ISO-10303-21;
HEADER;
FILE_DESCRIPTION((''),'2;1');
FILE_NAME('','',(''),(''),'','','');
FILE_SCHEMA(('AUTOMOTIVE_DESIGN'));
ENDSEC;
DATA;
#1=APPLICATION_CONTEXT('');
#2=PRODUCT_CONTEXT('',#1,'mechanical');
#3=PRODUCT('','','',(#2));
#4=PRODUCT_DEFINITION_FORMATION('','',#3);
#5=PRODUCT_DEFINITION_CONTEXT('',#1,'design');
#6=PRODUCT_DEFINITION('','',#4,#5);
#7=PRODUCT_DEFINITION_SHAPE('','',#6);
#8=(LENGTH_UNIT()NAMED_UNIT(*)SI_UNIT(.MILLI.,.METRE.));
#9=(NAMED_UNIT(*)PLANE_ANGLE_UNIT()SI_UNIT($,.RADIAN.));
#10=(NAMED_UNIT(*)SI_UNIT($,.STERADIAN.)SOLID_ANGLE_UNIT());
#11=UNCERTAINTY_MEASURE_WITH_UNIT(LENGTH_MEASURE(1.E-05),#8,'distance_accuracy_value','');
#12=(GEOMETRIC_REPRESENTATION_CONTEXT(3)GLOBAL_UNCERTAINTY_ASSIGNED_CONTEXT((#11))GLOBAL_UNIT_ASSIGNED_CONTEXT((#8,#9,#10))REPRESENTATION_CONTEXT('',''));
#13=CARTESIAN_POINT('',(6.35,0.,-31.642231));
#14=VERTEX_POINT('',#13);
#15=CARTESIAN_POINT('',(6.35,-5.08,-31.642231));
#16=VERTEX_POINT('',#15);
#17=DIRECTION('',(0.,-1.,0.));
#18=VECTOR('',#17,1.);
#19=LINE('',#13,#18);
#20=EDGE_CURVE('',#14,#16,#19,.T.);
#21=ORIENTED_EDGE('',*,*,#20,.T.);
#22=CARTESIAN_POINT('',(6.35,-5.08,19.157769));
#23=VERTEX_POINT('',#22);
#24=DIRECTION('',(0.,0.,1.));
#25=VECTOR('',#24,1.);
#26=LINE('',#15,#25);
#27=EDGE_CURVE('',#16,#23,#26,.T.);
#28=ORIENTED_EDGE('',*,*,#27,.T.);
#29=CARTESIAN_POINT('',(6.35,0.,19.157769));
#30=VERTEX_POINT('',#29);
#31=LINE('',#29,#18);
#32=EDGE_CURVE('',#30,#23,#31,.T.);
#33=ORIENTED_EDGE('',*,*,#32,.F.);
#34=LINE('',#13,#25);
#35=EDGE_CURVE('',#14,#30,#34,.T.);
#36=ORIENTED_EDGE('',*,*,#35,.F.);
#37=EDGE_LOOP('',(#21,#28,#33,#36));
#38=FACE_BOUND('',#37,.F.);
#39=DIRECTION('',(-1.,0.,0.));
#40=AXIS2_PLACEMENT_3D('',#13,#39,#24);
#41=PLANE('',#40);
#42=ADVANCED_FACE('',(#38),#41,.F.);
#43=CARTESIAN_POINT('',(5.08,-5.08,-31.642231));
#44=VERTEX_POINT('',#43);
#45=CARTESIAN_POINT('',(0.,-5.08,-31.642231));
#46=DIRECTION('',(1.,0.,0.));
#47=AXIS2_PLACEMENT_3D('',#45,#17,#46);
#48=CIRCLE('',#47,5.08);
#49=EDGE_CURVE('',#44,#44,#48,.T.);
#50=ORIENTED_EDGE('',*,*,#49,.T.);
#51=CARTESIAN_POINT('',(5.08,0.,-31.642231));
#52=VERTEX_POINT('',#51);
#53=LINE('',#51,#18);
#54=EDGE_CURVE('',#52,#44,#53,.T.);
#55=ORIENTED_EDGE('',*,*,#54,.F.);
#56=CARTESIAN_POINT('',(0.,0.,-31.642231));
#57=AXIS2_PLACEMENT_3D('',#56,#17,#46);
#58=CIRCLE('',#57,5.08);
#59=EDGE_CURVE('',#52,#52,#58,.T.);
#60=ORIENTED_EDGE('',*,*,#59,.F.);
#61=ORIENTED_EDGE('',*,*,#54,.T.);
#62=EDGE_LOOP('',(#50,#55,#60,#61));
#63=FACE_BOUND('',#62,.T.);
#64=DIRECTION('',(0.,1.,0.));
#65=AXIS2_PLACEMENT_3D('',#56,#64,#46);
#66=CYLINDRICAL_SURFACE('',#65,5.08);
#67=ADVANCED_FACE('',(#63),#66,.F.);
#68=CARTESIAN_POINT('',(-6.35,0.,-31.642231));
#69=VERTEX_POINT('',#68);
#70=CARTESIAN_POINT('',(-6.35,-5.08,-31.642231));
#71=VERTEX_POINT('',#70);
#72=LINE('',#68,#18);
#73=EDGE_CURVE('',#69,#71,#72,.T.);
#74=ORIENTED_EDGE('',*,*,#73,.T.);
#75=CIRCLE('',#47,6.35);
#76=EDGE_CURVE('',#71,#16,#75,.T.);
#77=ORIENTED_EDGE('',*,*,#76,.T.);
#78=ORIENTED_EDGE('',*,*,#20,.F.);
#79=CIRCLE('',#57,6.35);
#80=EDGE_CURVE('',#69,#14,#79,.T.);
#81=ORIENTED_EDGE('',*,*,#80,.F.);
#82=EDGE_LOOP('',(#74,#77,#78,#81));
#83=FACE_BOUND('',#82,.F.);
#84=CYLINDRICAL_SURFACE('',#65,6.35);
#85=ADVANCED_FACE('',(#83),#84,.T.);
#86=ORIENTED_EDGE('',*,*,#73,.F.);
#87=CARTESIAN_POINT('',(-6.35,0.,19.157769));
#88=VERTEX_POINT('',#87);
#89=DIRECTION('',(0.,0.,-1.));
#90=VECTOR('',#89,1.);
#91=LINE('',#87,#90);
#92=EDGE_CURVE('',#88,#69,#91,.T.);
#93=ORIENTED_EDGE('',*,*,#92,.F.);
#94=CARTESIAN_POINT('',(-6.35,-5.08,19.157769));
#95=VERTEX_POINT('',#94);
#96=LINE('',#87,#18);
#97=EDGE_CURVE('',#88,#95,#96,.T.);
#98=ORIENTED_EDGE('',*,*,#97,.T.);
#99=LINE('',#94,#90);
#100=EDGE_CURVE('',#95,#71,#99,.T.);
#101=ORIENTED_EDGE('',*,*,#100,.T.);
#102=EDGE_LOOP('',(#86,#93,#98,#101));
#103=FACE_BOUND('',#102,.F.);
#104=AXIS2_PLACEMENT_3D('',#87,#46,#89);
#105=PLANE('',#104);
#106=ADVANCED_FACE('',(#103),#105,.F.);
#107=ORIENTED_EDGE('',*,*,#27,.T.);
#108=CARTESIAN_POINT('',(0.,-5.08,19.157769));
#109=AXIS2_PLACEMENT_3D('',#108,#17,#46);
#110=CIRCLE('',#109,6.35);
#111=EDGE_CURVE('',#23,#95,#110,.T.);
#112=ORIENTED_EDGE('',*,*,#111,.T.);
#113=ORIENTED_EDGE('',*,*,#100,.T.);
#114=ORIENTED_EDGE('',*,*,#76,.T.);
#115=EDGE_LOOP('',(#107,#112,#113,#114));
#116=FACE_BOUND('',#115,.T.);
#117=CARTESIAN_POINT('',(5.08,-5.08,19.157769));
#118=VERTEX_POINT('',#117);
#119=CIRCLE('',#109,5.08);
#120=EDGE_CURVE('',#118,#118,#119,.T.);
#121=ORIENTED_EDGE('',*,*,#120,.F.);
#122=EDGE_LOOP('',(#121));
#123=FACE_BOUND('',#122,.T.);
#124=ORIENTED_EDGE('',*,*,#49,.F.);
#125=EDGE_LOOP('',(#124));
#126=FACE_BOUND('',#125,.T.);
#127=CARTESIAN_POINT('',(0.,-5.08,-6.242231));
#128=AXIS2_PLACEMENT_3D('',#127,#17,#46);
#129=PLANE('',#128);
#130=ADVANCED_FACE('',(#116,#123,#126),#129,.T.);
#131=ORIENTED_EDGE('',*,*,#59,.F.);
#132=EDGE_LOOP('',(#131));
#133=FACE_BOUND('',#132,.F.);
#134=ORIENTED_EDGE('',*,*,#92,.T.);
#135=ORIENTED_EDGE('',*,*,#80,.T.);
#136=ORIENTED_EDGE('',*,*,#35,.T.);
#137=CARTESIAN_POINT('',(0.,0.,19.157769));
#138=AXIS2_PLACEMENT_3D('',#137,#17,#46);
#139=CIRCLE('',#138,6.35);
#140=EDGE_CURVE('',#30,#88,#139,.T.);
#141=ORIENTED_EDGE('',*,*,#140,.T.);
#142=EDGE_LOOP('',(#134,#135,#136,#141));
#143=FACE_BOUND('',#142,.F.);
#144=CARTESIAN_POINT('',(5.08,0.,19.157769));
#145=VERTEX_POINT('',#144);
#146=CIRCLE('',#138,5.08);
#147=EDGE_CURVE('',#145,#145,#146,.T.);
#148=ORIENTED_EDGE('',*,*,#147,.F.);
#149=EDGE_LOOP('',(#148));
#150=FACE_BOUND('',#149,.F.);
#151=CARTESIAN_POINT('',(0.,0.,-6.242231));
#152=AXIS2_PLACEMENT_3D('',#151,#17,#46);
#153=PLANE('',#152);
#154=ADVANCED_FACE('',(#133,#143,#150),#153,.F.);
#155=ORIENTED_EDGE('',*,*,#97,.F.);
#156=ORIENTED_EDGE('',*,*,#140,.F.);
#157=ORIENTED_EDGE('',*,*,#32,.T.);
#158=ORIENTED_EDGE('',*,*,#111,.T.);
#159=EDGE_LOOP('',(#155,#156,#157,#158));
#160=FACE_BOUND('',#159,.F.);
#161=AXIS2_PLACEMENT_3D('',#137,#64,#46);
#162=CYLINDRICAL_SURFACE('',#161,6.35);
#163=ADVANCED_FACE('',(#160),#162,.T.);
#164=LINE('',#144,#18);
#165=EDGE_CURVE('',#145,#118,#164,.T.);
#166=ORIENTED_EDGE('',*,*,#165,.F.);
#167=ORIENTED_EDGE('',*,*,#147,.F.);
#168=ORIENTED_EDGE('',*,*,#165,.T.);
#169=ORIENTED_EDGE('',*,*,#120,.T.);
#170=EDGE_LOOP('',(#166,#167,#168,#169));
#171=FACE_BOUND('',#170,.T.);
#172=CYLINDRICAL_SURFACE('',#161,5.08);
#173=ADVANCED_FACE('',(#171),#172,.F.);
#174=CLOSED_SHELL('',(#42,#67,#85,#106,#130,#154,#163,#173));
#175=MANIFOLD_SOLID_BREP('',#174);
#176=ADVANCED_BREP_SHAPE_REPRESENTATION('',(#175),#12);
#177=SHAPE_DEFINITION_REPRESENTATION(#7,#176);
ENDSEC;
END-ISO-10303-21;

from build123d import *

# Parameters (mm, degrees)
F0_R     = 5.08
F1_DEPTH = 5.08


with BuildPart() as f1:
    # F0 (on Front) → F1 (new body)
    with BuildSketch(Plane.XZ):
        with BuildLine():
            Line((6.35, -31.642231), (6.35, 19.157769))
            ThreePointArc((6.35, 19.157769), (0, 12.807769), (-6.35, 19.157769))
            Line((-6.35, 19.157769), (-6.35, -31.642231))
            ThreePointArc((-6.35, -31.642231), (0, -25.292231), (6.35, -31.642231))
        make_face()
        with BuildLine():
            ThreePointArc((-6.35, 19.157769), (0, 12.807769), (6.35, 19.157769))
            ThreePointArc((6.35, 19.157769), (0, 25.507769), (-6.35, 19.157769))
        make_face()
        with Locations((0, 19.157769)):
            Circle(F0_R, mode=Mode.SUBTRACT)
        with BuildLine():
            ThreePointArc((-6.35, -31.642231), (0, -37.992231), (6.35, -31.642231))
            ThreePointArc((6.35, -31.642231), (0, -25.292231), (-6.35, -31.642231))
        make_face()
        with Locations((0, -31.642231)):
            Circle(F0_R, mode=Mode.SUBTRACT)
    extrude(amount=F1_DEPTH)


solid = f1.part
